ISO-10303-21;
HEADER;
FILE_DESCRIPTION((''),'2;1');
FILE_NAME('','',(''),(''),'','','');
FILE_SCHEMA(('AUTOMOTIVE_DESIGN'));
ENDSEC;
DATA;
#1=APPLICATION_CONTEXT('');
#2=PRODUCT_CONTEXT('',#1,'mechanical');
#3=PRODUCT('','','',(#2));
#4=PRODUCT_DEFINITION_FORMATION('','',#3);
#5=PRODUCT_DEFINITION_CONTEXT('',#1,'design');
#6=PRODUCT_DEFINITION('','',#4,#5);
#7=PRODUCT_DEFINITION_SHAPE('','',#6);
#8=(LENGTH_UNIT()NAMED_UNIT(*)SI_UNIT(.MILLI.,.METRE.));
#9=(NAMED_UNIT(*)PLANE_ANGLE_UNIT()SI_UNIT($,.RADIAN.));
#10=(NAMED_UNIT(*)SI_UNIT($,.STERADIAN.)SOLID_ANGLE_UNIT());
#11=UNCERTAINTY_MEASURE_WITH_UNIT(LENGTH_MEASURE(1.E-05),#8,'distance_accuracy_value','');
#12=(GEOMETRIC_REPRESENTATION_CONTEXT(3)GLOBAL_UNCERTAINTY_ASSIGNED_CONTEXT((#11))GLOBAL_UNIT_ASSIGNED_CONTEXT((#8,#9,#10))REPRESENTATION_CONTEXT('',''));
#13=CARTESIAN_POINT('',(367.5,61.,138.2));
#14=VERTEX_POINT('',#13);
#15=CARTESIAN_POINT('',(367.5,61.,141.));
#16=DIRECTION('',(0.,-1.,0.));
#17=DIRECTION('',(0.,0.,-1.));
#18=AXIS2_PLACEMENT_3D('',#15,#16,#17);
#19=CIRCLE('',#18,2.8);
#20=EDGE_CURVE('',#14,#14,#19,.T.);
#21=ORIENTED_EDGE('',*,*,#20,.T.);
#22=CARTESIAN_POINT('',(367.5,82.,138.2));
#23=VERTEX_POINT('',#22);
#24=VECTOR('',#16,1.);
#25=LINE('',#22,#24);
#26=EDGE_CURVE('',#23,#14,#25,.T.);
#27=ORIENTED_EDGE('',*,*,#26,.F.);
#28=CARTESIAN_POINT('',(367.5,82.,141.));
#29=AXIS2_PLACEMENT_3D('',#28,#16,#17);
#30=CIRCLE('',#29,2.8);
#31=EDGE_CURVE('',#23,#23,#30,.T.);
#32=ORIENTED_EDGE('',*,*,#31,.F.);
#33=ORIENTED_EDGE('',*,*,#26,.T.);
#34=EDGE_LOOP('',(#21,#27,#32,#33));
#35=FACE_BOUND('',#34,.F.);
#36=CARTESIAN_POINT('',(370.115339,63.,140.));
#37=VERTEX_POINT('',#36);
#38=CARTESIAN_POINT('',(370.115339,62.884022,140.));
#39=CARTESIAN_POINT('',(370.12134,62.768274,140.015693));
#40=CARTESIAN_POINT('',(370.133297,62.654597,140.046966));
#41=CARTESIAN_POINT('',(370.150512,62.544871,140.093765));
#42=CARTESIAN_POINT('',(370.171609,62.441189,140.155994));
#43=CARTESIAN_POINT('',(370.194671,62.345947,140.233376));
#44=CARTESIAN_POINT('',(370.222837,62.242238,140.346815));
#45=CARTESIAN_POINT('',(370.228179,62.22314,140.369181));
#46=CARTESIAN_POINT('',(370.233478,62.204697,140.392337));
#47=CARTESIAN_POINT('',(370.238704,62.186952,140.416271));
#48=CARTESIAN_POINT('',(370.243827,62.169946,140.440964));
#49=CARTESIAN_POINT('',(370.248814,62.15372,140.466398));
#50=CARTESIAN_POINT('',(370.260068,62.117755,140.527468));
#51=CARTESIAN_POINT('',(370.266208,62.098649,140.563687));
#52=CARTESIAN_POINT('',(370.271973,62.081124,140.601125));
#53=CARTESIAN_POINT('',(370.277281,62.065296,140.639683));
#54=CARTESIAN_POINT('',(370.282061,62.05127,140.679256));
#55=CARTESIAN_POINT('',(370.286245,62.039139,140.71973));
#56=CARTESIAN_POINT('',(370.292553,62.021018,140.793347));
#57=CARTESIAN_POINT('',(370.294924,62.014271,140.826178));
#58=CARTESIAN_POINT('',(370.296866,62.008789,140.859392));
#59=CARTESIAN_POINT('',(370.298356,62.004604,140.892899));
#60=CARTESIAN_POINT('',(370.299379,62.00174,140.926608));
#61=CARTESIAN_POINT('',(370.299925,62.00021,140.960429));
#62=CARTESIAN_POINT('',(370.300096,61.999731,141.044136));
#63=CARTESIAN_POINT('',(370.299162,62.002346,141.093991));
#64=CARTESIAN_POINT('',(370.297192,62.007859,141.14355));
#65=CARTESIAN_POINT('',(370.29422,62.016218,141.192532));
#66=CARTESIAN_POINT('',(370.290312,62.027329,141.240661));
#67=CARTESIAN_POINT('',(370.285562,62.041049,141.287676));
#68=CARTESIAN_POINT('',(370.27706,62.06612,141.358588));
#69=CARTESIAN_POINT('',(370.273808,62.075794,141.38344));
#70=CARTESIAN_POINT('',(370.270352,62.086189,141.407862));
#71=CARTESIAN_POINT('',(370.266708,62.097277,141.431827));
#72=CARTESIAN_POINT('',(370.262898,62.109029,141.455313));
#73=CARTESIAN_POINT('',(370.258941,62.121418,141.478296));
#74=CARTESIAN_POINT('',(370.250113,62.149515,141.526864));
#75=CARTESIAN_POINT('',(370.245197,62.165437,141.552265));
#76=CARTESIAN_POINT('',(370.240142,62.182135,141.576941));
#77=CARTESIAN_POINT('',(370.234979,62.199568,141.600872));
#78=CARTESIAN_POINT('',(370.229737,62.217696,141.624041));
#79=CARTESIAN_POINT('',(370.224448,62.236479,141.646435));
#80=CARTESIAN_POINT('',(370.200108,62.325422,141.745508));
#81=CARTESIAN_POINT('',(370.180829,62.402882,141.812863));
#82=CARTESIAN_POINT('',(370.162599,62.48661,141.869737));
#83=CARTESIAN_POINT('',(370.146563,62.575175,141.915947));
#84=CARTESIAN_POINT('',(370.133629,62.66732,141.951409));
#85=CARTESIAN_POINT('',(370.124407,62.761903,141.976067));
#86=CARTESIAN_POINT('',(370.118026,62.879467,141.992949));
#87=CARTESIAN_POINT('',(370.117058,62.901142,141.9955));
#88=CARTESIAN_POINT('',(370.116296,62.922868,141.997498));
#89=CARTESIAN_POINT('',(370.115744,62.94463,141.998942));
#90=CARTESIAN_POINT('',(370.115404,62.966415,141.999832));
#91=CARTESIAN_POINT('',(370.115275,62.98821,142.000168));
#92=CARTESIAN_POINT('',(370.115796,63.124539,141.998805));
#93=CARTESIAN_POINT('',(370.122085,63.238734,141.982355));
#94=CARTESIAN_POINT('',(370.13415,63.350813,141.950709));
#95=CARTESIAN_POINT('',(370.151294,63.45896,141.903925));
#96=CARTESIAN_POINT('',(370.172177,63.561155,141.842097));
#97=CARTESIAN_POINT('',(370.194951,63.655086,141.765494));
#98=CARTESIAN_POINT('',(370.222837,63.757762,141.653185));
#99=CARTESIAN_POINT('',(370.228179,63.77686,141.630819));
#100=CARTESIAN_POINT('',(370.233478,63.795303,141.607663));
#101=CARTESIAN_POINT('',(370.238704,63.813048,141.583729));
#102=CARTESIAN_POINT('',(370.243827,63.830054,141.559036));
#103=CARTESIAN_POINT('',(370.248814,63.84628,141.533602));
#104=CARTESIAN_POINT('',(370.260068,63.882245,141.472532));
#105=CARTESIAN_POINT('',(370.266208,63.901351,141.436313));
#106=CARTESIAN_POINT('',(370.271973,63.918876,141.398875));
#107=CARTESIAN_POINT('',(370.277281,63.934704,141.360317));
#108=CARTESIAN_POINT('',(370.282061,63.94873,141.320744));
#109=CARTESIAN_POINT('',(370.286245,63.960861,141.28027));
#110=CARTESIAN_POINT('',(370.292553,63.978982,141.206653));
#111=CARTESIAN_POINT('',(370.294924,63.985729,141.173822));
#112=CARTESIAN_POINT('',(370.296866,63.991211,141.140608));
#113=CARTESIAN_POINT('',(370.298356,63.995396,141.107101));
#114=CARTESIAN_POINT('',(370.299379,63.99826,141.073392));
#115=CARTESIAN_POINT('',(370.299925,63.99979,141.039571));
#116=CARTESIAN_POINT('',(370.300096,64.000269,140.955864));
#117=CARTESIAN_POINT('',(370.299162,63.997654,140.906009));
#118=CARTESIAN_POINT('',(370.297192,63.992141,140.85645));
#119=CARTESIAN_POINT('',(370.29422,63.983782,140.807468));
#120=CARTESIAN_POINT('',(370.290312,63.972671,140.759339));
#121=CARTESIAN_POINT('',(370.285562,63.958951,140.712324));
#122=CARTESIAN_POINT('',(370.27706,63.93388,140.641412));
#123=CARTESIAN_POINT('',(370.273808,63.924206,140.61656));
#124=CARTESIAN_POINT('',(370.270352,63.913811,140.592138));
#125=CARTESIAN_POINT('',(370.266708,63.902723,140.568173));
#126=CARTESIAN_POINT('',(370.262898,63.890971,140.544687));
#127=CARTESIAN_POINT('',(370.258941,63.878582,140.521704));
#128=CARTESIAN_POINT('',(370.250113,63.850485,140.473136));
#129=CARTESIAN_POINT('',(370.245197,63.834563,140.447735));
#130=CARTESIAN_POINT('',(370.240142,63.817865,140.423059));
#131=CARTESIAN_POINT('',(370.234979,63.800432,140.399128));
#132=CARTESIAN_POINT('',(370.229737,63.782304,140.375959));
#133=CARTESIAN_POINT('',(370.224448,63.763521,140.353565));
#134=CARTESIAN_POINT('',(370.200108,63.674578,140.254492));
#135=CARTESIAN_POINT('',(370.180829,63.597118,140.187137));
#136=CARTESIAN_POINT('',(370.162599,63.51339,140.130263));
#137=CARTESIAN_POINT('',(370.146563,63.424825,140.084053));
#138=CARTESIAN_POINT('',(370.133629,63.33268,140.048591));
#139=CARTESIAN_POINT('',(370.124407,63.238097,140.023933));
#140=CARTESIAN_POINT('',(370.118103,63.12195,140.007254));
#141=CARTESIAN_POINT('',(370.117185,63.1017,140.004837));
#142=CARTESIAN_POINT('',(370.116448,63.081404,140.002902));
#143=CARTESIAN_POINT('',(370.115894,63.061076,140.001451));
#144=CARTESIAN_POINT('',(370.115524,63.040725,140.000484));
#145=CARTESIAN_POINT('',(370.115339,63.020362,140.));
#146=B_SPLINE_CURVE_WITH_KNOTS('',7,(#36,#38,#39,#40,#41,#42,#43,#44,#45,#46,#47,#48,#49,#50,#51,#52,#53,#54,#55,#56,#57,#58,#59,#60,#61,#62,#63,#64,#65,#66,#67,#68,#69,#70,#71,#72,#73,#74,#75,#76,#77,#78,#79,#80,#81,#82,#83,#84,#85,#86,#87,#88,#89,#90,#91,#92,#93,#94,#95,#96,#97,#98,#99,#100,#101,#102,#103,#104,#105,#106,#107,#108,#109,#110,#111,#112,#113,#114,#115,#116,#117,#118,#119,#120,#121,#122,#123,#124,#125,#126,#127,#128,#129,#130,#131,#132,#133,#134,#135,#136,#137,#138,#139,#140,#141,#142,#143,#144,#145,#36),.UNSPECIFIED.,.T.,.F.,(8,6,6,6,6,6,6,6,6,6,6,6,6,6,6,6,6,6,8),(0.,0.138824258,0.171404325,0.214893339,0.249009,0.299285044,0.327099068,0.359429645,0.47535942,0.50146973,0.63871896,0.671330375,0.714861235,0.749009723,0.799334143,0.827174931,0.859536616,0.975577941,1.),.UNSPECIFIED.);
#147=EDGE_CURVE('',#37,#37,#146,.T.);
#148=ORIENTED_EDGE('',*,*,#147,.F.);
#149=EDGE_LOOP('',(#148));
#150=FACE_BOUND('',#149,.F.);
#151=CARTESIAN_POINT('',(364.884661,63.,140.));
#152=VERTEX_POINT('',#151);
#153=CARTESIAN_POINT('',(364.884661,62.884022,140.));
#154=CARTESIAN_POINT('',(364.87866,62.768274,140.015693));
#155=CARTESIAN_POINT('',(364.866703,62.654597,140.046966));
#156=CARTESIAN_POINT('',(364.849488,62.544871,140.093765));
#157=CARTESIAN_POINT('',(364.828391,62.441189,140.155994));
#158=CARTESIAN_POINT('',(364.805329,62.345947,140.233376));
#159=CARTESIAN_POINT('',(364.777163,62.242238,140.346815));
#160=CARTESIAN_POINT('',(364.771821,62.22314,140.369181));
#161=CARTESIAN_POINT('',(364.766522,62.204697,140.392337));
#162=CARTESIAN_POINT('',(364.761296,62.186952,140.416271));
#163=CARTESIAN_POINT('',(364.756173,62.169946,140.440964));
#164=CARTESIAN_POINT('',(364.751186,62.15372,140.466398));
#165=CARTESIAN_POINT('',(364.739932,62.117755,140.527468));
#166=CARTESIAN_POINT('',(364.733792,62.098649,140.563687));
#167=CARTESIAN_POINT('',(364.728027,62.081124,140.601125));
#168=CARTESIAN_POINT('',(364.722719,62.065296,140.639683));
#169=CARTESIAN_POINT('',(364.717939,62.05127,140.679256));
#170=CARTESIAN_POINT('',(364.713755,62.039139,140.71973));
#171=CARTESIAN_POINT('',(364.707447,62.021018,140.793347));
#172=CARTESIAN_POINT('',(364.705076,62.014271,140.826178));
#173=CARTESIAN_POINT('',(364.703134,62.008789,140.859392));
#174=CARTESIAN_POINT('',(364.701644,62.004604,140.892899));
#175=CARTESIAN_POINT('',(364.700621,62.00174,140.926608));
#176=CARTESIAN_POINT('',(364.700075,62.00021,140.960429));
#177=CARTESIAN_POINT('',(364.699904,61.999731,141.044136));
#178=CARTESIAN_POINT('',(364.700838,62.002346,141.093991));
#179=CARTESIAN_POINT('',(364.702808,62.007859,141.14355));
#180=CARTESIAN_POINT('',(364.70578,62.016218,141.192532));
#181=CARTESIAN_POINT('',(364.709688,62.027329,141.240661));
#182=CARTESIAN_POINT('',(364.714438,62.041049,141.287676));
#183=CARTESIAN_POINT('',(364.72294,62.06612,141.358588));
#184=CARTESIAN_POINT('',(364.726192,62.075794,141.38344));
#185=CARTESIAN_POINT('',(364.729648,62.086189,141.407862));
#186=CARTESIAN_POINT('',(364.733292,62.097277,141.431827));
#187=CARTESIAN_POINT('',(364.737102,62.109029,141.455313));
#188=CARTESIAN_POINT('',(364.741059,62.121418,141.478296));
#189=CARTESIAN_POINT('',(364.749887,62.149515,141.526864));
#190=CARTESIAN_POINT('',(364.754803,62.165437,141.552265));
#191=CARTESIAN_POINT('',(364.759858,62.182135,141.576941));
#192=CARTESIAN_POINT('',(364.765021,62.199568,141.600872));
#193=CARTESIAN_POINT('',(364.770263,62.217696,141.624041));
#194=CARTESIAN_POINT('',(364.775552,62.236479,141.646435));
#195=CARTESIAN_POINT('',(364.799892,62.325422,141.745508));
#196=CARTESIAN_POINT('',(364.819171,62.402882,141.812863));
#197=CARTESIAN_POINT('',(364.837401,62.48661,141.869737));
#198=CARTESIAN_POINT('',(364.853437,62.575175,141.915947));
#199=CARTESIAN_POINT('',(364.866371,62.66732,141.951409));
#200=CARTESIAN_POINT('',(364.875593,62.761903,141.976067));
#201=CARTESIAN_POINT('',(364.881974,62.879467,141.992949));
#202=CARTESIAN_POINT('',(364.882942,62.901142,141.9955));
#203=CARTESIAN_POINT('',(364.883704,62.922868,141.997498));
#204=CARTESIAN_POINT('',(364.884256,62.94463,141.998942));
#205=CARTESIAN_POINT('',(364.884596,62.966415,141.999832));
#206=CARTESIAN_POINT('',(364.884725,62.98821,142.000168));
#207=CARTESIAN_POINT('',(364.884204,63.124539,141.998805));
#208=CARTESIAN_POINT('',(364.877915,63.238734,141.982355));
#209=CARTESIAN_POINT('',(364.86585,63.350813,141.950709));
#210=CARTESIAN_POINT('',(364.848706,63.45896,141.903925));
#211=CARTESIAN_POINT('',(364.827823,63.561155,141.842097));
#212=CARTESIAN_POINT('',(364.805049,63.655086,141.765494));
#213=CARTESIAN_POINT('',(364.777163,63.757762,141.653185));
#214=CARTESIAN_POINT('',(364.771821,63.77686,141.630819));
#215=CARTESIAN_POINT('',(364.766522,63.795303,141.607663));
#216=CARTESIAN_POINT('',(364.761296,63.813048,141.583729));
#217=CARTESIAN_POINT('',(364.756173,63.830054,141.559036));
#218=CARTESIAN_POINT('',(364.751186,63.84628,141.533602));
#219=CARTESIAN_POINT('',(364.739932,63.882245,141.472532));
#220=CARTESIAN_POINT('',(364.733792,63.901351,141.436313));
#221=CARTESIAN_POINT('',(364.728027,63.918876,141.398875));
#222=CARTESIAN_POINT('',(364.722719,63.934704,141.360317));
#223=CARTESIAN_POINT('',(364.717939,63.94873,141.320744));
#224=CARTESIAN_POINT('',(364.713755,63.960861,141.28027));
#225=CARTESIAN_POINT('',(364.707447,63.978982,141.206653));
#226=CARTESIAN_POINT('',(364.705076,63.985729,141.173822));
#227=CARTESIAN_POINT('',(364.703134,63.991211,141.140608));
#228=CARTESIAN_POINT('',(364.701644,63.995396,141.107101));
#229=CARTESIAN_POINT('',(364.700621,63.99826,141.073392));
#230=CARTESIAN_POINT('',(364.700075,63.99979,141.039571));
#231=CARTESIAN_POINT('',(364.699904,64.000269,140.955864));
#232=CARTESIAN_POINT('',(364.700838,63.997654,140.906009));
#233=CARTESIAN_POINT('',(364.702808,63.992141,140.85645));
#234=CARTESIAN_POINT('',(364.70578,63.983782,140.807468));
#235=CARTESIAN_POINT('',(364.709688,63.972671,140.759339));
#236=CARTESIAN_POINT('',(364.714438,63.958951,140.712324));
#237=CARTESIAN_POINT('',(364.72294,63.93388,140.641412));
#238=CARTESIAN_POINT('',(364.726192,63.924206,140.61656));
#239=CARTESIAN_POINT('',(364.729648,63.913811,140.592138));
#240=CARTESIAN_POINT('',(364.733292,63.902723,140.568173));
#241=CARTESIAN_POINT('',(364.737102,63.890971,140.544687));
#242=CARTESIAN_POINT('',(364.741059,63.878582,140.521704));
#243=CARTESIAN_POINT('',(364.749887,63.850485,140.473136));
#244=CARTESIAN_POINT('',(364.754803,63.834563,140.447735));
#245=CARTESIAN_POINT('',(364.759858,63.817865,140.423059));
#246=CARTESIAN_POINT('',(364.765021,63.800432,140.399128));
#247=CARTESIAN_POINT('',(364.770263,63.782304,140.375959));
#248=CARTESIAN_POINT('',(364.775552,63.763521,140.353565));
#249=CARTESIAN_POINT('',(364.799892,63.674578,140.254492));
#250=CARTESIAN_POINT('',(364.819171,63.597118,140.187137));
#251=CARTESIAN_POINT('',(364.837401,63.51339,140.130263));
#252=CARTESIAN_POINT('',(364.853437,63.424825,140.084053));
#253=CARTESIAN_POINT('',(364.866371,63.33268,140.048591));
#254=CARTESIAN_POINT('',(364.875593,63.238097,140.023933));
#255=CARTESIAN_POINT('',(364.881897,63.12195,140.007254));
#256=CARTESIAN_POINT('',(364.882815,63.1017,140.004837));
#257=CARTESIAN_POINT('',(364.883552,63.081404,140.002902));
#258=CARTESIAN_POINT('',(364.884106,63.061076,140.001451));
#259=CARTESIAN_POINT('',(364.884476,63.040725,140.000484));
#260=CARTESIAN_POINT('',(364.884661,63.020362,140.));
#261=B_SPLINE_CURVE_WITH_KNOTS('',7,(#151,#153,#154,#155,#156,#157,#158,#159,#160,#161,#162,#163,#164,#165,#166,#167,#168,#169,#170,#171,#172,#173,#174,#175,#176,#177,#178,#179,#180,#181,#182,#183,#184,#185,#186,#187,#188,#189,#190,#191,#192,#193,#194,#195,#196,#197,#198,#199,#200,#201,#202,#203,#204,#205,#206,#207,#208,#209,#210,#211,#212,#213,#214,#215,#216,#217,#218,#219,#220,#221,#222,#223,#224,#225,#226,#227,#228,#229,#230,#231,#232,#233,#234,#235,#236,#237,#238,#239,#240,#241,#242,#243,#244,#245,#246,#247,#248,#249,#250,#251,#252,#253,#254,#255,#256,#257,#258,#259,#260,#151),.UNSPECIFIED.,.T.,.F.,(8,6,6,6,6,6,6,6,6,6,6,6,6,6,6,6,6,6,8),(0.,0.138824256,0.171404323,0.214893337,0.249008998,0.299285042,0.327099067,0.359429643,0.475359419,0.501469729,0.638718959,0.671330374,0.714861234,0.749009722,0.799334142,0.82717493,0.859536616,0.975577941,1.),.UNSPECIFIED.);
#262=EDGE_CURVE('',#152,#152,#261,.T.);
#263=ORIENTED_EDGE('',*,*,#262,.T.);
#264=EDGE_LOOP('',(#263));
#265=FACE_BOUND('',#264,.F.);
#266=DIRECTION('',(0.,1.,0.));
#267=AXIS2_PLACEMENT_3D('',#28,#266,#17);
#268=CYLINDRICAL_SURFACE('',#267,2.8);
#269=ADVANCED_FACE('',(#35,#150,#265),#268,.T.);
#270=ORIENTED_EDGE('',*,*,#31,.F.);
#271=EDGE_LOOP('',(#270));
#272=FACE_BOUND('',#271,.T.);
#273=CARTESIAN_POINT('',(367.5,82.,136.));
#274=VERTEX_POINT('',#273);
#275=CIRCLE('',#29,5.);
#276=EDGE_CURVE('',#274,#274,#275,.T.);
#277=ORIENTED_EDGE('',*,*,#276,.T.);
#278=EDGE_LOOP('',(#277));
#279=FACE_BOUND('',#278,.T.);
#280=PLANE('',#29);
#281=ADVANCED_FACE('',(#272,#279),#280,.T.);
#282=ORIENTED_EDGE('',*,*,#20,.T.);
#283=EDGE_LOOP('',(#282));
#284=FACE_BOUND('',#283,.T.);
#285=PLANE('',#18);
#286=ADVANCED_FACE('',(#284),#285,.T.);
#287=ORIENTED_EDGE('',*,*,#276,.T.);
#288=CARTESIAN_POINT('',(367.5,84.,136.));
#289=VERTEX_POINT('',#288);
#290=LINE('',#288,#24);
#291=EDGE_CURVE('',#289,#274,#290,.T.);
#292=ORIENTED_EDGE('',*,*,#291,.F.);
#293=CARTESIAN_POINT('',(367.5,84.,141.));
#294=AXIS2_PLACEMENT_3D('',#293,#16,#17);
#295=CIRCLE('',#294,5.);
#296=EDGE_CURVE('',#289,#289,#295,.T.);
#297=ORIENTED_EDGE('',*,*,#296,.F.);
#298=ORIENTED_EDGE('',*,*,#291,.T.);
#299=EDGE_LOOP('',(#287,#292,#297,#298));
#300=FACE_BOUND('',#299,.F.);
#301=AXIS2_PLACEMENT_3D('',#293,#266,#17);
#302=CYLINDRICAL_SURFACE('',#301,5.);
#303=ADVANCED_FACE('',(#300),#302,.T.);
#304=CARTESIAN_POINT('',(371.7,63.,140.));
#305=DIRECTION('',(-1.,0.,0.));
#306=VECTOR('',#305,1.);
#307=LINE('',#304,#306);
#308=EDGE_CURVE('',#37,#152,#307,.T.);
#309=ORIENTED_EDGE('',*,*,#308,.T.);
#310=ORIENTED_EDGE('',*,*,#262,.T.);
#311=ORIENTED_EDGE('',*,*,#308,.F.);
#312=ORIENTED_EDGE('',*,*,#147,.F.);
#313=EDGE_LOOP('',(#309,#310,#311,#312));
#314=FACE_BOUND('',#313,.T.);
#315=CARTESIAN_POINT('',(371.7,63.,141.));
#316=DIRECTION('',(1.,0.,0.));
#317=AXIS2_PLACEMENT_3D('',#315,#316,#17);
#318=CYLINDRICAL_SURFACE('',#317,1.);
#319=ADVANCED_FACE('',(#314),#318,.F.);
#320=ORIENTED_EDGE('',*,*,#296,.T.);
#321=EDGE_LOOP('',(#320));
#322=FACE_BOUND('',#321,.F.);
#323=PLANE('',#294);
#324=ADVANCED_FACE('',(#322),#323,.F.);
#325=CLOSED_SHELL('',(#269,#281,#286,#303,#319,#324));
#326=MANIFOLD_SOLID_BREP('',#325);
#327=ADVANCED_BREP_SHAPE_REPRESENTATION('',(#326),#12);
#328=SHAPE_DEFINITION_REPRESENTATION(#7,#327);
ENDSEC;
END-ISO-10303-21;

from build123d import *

# Parameters (mm, degrees)
SKETCH004_R            = 1
PAD004_DEPTH           = 10
CYLINDER009_R          = 2.8
CYLINDER009_DEPTH      = 21
CYLINDER010_R          = 5
CYLINDER010_DEPTH      = 2
CUT007_PITCH_ANGLE     = 90
CUT007_PLACEMENT_ANGLE = -90


with BuildPart() as pad004:
    # Sketch004 → Pad004 (new body)
    with BuildSketch(Plane(origin=(0, 4.2, 21), x_dir=(1, 0, 0), z_dir=(0, -1, 0))):
        Circle(SKETCH004_R)
    extrude(amount=PAD004_DEPTH)


with BuildPart() as eje:
    # Cylinder009 → Cylinder009 (new body)
    with BuildSketch(Plane.XY.offset(2)):
        Circle(CYLINDER009_R)
    extrude(amount=CYLINDER009_DEPTH)


with BuildPart() as eje_full:
    # Cylinder010 → Cylinder010 (new body)
    with BuildSketch(Plane.XY):
        Circle(CYLINDER010_R)
    extrude(amount=CYLINDER010_DEPTH)

    # Fusion009: union Eje
    add(eje.part)

    # Cut007: cut Pad004
    add(pad004.part, mode=Mode.SUBTRACT)


with BuildPart() as eje_full_1:
    # Cut007 pitch: moved
    add(eje_full.part.rotate(Axis((0, 0, 0), (0, 1, 0)), CUT007_PITCH_ANGLE))


with BuildPart() as eje_full_2:
    # Cut007 placement: moved
    add(eje_full_1.part.moved(Location((367.5, 84, 141))).rotate(Axis((367.5, 84, 141), (0, 0, 1)), CUT007_PLACEMENT_ANGLE))


solid = eje_full_2.part
